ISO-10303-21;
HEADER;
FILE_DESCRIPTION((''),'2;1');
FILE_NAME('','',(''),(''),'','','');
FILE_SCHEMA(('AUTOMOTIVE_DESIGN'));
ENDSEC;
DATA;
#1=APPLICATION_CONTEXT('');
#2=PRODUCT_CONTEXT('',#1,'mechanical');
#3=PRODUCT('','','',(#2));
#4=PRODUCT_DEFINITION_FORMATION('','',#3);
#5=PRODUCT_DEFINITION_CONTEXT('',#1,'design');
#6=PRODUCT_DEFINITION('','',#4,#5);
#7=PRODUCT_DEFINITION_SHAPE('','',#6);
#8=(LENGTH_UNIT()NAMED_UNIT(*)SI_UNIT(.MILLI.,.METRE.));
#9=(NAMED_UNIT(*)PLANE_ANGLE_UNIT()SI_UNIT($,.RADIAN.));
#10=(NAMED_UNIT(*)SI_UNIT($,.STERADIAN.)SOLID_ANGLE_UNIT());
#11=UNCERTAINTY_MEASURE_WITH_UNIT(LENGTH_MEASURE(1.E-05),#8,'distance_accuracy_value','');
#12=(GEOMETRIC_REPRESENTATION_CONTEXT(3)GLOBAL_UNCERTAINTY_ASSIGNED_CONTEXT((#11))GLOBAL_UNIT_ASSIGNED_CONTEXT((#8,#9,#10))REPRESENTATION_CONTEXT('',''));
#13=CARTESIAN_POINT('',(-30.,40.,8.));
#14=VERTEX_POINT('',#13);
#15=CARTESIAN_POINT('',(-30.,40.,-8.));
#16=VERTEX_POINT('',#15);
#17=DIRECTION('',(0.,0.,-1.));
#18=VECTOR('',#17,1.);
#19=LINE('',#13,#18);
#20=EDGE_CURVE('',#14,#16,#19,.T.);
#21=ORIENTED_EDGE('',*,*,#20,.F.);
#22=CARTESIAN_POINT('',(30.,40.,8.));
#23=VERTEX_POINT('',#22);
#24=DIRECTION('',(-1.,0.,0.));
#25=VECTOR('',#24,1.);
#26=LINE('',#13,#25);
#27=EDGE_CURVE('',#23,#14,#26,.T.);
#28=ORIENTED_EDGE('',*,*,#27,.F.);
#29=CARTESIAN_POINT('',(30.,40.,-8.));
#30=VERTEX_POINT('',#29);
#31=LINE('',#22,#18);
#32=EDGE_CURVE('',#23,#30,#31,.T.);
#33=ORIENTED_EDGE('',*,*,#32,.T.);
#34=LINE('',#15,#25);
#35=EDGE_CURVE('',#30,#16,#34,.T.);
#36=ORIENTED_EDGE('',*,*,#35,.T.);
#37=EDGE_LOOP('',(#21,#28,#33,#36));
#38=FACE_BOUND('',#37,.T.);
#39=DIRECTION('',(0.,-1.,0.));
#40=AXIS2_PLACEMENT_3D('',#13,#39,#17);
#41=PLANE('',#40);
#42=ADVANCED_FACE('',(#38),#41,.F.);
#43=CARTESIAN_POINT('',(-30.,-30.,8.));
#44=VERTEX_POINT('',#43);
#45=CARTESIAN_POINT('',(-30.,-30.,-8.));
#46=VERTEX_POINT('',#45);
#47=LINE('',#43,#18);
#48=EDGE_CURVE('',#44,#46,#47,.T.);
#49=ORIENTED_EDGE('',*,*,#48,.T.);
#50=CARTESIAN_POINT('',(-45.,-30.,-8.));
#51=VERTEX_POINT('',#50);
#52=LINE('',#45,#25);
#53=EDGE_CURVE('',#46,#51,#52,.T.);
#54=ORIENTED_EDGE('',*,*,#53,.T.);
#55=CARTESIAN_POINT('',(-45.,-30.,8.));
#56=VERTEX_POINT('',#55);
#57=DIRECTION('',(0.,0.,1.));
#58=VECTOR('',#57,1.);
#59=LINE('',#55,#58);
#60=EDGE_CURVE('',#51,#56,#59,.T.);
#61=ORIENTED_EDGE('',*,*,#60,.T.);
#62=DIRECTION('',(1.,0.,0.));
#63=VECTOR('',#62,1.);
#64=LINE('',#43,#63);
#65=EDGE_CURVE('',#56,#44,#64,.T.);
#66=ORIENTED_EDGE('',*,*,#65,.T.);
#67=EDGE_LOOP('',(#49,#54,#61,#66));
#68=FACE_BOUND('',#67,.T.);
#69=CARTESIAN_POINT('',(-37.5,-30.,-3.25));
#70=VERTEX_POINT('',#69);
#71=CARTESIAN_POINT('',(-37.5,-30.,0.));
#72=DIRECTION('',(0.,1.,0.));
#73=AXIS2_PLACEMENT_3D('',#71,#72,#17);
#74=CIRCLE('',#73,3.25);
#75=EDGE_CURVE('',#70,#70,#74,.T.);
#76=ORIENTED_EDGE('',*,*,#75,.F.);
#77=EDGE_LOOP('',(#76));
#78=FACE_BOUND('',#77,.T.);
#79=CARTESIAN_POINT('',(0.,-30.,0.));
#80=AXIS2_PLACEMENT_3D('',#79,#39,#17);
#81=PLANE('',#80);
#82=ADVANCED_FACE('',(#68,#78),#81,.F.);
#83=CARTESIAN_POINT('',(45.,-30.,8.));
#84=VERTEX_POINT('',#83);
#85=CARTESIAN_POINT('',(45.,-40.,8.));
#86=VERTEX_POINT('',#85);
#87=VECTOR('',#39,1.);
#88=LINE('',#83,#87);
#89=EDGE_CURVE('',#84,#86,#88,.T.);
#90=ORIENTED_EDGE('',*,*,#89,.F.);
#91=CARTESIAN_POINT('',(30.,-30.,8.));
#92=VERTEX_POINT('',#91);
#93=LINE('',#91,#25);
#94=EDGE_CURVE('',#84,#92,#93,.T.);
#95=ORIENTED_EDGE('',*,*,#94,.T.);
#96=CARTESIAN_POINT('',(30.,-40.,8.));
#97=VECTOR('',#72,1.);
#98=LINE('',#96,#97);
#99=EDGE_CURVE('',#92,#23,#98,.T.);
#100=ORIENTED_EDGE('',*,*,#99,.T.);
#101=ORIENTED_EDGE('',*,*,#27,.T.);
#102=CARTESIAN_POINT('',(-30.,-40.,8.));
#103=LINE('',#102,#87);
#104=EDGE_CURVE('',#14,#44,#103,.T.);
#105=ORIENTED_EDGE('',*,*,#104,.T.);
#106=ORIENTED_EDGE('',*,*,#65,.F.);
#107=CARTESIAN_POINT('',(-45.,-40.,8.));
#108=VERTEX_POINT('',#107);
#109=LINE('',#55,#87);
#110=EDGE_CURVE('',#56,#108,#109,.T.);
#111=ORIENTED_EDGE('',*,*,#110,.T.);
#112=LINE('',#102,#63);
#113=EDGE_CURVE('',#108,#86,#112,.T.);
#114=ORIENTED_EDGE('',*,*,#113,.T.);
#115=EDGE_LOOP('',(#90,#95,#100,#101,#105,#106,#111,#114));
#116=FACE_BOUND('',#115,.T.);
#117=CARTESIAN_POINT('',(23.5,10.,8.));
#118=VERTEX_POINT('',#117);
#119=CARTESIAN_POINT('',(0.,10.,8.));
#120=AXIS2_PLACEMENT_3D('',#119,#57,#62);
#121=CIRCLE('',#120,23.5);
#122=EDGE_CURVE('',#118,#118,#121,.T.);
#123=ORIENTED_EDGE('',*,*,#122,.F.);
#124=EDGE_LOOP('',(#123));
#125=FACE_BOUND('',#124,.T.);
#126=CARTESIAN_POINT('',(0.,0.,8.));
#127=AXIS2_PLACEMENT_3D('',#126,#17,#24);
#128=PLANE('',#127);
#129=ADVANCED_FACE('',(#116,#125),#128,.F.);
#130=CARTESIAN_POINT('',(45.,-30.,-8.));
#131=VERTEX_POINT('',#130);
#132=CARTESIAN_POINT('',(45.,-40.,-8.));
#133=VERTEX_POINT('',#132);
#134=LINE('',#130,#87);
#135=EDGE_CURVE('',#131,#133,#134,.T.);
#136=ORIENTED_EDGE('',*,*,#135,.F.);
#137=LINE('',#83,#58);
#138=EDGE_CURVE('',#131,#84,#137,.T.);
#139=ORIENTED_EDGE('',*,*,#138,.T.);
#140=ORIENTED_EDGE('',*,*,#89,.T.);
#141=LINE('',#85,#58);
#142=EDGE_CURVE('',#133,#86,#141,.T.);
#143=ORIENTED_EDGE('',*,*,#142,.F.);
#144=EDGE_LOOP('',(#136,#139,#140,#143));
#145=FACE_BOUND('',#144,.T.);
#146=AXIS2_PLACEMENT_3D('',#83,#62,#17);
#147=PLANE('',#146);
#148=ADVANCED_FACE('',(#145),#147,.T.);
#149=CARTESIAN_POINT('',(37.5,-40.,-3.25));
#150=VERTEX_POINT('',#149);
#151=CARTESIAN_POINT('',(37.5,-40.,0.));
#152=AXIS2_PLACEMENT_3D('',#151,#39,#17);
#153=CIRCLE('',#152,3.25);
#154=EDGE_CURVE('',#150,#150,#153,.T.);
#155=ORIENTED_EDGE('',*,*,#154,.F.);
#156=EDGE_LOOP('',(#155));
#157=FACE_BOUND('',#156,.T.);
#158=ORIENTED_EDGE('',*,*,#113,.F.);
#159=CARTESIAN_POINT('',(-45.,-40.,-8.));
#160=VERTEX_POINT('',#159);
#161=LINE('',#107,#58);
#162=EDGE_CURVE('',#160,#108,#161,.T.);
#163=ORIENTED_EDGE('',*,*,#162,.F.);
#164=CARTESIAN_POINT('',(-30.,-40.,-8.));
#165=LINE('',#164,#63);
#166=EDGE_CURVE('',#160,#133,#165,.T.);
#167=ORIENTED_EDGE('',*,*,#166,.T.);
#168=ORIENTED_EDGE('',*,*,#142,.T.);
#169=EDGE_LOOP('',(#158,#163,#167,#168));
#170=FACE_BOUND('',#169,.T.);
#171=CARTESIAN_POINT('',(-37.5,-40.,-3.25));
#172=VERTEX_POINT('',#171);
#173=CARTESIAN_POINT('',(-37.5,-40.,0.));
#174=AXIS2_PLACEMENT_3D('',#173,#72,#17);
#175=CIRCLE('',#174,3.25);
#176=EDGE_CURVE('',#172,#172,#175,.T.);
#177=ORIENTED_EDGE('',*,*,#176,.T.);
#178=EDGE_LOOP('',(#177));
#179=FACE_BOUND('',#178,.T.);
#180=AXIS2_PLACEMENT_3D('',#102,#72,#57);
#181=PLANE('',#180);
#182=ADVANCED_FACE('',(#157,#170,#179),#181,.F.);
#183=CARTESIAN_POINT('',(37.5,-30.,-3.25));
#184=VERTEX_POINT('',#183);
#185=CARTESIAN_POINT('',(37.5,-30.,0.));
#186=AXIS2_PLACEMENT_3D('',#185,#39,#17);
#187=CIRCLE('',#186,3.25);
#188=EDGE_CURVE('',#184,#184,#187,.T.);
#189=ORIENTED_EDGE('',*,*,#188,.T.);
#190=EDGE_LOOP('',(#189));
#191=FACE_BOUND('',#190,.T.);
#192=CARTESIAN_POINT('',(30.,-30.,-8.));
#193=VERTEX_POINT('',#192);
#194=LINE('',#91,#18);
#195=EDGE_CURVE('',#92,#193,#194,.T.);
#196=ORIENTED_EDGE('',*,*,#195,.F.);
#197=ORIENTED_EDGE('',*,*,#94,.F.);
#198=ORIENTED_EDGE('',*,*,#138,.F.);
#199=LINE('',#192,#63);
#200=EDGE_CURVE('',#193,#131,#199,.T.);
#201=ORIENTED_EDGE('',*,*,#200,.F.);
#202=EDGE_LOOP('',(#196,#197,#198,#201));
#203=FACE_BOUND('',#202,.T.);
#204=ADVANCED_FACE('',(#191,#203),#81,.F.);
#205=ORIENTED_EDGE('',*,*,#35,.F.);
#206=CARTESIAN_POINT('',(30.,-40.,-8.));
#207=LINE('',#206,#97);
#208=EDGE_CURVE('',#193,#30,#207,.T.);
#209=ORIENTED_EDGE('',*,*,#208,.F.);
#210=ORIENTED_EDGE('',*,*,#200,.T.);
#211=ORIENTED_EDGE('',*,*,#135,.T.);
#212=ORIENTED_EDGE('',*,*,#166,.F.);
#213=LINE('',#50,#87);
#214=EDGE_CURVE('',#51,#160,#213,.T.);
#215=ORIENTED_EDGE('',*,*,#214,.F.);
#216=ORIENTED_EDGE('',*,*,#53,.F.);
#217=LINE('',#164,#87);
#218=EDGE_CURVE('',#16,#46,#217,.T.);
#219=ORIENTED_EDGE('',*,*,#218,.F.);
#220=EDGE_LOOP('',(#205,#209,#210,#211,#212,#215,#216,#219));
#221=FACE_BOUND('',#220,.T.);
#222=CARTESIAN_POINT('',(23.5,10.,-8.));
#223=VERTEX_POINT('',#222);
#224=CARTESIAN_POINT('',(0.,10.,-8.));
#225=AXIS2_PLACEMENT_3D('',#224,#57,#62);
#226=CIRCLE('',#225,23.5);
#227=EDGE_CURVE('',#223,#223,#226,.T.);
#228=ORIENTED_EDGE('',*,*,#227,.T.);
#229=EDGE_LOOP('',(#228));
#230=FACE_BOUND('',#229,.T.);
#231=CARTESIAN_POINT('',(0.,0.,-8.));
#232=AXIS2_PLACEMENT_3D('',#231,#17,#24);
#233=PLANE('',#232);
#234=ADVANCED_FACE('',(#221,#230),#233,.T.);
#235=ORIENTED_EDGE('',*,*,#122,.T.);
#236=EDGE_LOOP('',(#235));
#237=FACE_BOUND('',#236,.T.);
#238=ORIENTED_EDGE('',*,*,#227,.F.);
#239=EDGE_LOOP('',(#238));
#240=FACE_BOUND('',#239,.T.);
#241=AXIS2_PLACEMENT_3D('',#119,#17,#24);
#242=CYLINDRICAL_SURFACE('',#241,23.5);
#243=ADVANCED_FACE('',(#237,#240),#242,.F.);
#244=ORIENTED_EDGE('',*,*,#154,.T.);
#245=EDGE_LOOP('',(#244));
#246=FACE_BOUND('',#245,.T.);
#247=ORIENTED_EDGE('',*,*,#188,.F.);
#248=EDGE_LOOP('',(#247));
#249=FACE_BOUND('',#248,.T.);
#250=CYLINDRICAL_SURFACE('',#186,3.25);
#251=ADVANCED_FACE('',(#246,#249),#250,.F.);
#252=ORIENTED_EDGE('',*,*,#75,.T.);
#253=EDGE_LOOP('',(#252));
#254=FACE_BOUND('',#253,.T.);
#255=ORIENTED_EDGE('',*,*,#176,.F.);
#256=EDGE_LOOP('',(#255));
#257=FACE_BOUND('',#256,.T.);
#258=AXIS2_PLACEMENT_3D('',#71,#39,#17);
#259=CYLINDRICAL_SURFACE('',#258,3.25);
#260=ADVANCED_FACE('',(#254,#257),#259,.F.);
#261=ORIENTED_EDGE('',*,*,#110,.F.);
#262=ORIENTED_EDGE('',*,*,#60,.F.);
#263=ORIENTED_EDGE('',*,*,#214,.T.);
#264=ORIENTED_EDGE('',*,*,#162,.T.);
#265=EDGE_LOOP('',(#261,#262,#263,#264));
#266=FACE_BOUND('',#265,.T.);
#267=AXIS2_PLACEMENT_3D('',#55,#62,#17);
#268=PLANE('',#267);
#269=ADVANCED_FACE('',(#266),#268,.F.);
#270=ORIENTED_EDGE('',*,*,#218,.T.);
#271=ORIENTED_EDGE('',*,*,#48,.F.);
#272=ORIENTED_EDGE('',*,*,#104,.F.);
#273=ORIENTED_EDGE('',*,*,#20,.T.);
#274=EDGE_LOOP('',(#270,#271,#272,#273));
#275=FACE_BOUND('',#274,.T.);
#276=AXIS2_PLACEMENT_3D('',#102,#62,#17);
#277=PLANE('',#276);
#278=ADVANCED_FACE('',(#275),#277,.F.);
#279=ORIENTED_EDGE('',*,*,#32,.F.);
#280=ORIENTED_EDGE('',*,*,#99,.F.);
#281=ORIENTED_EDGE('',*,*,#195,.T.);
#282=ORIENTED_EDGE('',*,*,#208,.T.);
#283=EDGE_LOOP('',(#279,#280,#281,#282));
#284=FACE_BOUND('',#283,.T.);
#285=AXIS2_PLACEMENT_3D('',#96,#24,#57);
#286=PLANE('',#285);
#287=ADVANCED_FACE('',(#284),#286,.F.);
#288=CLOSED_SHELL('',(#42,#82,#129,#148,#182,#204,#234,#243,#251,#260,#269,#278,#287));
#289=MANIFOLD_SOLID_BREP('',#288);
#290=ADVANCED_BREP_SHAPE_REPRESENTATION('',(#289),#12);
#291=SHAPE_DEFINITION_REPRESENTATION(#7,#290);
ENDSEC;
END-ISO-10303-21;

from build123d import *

# Parameters (mm, degrees)
SKETCH1_W           = 60
SKETCH1_H           = 80
SKETCH1_R           = 23.5
BOSS_EXTRUDE1_DEPTH = 8
SKETCH2_W           = 15
SKETCH2_H           = 16
SKETCH2_R           = 3.25
BOSS_EXTRUDE2_DEPTH = 10


with BuildPart() as part:
    # Sketch1 → Boss-Extrude1 (new body, symmetric)
    with BuildSketch(Plane.XY):
        Rectangle(SKETCH1_W, SKETCH1_H)
        with Locations((0, 10)):
            Circle(SKETCH1_R, mode=Mode.SUBTRACT)
    extrude(amount=BOSS_EXTRUDE1_DEPTH, both=True)

    # Sketch2 → Boss-Extrude2 (add)
    with BuildSketch(Plane.XZ.offset(40)):
        with Locations((37.5, 0)):
            Rectangle(SKETCH2_W, SKETCH2_H)
        with Locations((37.5, 0)):
            Circle(SKETCH2_R, mode=Mode.SUBTRACT)
    boss_extrude2 = extrude(amount=-BOSS_EXTRUDE2_DEPTH)

    # Mirror1: Boss-Extrude2 across plane
    add(boss_extrude2.mirror(Plane(origin=(0, 0, 0), x_dir=(0, 0, 1), z_dir=(1, 0, 0))))


solid = part.part
